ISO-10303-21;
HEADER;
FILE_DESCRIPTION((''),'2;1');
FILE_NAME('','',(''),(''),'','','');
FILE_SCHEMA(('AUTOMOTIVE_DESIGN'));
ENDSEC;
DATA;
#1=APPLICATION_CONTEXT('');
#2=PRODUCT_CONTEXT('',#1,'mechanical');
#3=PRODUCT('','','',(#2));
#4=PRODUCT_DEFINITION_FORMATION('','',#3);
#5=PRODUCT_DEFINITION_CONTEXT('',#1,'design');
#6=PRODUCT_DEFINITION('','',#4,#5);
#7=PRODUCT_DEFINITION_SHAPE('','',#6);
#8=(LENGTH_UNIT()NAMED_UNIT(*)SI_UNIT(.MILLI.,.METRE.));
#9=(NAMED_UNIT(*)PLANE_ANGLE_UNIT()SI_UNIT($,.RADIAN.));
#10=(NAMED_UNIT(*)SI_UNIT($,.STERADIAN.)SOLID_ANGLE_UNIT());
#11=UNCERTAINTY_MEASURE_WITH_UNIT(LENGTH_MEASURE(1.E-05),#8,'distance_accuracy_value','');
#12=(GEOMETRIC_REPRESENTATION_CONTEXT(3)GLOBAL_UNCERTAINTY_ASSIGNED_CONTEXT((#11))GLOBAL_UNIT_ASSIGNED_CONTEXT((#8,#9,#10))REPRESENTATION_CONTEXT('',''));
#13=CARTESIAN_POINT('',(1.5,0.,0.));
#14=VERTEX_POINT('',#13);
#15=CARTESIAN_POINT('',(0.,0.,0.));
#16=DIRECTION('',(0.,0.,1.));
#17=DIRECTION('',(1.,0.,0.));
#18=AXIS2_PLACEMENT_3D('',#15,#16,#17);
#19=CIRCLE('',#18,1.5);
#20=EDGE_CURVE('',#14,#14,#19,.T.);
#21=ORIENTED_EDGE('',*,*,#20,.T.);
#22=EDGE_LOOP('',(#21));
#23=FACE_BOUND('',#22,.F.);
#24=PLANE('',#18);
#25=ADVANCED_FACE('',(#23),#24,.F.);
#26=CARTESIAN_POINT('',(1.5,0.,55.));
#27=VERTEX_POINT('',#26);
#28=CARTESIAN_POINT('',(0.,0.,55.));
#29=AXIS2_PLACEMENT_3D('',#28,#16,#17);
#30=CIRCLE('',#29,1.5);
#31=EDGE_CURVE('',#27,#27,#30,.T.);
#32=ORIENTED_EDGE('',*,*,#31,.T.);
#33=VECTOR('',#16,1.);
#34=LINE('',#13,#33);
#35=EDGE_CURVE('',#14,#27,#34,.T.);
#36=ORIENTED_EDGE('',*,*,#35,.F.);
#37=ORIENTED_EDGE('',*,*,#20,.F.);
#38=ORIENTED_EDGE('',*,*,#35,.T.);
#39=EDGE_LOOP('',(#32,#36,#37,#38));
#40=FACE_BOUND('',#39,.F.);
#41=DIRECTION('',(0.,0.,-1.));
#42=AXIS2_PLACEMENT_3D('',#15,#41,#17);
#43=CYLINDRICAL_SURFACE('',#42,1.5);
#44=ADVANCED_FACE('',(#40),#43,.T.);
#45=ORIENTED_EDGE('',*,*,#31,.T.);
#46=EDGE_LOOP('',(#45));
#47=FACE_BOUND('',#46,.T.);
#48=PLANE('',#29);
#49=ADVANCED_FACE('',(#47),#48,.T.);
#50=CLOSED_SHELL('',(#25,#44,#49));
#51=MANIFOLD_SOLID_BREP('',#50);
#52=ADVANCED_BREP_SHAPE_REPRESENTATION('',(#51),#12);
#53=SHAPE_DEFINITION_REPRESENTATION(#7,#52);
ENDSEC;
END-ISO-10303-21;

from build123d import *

# Parameters (mm, degrees)
SKETCH1_R           = 1.5
BOSS_EXTRUDE1_DEPTH = 55


with BuildPart() as part:
    # Sketch1 → Boss-Extrude1 (new body)
    with BuildSketch(Plane.XY):
        Circle(SKETCH1_R)
    extrude(amount=BOSS_EXTRUDE1_DEPTH)


solid = part.part
